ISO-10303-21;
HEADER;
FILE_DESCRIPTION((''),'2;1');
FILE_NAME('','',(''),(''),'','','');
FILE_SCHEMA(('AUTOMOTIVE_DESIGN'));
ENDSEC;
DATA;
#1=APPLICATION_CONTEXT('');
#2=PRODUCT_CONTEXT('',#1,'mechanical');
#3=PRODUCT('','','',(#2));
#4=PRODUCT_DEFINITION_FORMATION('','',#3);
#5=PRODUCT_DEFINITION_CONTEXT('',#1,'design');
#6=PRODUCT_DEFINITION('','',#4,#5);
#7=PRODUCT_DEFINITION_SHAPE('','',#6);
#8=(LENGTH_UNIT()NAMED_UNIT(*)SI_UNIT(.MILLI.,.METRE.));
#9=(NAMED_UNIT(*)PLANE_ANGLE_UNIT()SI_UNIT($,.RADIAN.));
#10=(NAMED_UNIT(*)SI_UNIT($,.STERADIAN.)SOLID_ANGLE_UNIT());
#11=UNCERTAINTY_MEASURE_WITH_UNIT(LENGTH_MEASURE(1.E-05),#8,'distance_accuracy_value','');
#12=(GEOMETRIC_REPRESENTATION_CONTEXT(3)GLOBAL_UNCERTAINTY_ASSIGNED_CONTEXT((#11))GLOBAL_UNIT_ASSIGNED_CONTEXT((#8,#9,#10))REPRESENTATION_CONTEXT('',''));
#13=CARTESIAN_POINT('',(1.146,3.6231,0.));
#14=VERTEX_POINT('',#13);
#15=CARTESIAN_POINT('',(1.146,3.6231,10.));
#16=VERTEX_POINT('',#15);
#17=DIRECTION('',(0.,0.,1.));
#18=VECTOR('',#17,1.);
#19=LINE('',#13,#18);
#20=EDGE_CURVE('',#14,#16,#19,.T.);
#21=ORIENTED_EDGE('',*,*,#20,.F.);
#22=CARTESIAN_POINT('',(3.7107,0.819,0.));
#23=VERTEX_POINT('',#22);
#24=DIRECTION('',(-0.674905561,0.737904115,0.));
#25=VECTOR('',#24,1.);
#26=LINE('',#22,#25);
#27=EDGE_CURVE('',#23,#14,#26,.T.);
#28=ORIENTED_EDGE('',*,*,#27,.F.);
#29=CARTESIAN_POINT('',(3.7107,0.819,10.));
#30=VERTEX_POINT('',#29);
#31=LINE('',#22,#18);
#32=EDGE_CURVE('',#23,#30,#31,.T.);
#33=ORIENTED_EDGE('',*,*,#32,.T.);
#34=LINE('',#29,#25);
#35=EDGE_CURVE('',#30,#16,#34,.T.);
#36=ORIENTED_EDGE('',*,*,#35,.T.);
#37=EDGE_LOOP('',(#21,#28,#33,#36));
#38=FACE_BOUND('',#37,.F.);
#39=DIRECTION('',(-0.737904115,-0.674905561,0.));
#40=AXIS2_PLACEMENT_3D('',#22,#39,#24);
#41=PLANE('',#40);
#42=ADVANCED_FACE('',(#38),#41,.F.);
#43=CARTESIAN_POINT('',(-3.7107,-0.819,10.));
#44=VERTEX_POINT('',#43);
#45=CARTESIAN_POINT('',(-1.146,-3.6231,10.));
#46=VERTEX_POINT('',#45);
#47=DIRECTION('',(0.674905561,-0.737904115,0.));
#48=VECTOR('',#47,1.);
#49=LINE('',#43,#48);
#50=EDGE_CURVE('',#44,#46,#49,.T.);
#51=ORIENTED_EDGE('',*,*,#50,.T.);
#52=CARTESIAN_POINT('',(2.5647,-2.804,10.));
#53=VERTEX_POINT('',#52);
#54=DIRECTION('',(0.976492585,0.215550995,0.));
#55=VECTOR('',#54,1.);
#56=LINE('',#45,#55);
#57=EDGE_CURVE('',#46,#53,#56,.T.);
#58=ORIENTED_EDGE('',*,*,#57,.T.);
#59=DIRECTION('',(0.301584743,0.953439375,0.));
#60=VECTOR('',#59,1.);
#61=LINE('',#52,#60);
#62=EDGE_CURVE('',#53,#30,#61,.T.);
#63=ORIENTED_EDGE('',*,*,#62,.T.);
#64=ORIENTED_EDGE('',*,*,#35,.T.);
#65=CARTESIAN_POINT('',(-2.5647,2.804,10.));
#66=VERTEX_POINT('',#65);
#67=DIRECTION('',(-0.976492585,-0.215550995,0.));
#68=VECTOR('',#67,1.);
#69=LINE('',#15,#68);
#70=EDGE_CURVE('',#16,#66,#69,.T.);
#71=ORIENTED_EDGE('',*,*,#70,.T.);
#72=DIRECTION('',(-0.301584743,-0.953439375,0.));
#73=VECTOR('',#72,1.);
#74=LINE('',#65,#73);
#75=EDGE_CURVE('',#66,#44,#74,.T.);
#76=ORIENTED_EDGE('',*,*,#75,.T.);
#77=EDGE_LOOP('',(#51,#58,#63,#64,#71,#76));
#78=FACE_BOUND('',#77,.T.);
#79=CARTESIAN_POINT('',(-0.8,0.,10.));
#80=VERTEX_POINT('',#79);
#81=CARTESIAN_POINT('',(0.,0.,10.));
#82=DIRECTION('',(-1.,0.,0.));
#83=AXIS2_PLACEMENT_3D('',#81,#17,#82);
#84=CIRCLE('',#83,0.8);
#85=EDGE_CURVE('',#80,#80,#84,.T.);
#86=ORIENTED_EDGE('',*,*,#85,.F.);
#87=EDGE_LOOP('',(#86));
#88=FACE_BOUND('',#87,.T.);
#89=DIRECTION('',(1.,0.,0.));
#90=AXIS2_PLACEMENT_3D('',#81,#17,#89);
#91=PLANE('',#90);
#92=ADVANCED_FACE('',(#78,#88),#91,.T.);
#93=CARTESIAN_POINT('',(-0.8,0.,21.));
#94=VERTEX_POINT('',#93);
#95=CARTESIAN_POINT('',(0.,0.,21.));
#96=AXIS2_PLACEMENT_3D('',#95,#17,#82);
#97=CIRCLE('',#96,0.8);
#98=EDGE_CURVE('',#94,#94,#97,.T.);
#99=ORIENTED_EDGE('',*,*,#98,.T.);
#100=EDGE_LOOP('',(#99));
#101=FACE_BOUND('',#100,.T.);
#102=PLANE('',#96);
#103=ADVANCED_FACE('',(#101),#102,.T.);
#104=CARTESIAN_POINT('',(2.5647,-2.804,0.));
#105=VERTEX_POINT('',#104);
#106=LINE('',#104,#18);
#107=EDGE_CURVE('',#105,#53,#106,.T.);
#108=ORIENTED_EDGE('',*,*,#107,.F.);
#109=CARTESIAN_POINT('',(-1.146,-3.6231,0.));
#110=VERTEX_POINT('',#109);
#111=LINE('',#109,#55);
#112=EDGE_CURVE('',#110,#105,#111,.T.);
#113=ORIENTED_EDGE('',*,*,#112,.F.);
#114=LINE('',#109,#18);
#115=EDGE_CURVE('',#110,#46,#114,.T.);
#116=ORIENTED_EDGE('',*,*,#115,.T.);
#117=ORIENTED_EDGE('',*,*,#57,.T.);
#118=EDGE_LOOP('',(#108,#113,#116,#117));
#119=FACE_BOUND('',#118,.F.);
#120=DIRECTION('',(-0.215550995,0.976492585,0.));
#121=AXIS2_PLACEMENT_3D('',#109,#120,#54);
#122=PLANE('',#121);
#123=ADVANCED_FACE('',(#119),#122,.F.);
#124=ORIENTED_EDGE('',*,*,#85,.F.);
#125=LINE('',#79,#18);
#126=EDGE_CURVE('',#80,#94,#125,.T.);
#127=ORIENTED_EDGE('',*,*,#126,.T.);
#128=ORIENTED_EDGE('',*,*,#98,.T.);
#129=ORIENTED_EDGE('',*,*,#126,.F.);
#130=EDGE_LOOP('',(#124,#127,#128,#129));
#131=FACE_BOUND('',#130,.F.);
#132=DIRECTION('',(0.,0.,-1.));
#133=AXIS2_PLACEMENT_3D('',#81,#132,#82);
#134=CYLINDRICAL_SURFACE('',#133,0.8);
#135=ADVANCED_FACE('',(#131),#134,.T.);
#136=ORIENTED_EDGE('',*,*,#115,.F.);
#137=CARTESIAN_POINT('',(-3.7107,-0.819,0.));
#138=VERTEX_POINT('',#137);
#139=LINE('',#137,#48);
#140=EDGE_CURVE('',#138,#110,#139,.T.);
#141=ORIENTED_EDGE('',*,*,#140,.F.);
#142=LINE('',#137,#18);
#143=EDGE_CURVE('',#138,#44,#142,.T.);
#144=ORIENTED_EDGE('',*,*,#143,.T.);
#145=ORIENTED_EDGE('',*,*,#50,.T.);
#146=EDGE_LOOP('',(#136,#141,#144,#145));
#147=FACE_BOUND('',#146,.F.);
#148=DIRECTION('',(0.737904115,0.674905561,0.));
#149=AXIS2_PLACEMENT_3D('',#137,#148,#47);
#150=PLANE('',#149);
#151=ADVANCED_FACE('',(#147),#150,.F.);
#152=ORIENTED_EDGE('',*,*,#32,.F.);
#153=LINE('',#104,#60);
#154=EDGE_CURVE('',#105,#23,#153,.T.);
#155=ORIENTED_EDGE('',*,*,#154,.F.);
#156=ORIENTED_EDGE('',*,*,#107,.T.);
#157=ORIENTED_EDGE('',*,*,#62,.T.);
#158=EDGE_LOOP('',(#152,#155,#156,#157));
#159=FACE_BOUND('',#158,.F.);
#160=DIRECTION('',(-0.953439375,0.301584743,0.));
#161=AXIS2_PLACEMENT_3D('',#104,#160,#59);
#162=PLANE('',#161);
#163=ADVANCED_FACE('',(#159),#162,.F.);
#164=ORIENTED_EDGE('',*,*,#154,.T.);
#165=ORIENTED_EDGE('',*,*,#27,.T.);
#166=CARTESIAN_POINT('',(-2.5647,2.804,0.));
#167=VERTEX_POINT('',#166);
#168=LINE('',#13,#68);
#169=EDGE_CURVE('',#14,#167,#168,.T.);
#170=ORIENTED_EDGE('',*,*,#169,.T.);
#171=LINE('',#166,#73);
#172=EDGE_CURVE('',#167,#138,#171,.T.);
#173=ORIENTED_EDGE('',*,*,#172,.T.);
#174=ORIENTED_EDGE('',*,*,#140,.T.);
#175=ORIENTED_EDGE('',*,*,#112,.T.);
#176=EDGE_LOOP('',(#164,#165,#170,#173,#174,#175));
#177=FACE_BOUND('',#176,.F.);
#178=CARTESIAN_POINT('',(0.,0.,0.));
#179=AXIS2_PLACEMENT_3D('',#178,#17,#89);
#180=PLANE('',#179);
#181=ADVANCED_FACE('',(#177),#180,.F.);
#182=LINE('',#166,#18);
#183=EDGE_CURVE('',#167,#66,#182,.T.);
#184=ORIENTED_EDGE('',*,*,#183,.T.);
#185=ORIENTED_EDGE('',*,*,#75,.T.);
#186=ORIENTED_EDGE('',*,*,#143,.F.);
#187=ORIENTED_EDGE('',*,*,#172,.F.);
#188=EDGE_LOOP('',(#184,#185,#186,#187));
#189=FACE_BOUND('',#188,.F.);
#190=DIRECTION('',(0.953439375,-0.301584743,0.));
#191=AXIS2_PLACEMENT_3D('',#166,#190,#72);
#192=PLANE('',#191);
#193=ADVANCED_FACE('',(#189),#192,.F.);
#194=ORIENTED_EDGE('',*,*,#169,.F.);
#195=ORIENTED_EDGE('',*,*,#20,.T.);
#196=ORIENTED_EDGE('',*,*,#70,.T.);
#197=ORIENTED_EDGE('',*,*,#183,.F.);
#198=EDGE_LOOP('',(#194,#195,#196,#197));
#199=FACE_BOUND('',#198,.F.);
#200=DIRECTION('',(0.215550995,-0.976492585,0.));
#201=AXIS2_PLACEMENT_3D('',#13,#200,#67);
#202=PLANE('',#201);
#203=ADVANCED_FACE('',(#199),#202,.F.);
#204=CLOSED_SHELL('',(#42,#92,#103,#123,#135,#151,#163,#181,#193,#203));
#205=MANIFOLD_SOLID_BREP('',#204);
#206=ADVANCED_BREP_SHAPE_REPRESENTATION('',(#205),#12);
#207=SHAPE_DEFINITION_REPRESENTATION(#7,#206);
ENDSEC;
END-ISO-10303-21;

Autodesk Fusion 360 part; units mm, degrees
sketch "Sketch1" plane through (0, 0, 0) normal (0, 0, 1) x (1, 0, 0)
  line L0 (2.5647, -2.804) -> (3.7107, 0.819)
  line L1 (3.7107, 0.819) -> (1.146, 3.6231)
  line L2 (1.146, 3.6231) -> (-2.5647, 2.804)
  line L3 (-2.5647, 2.804) -> (-3.7107, -0.819)
  line L4 (-3.7107, -0.819) -> (-1.146, -3.6231)
  line L5 (-1.146, -3.6231) -> (2.5647, -2.804)
  dimension "d1" = 3.8
extrude "Extrude1" add sketch "Sketch1" along normal blind 10
sketch "Sketch2" plane through (0, 0, 10) normal (0, 0, 1) x (-1, 0, 0)
  line L0 (1.146, 3.6231) -> (-2.5647, 2.804)
  line L1 (-2.5647, 2.804) -> (-3.7107, -0.819)
  line L2 (-3.7107, -0.819) -> (-1.146, -3.6231)
  line L3 (-1.146, -3.6231) -> (2.5647, -2.804)
  line L4 (2.5647, -2.804) -> (3.7107, 0.819)
  line L5 (3.7107, 0.819) -> (1.146, 3.6231)
  circle A0 centre (0, 0) radius 0.8
  dimension "d6" = 1.6
extrude "Extrude2" add sketch "Sketch2" along normal blind 11 contours A0
equation "d1 = polygon_side"
equation "d2 = polygon_height"
equation "polygon_side = 3.8 mm"
equation "polygon_height = 10 mm"
equation "d6 = cylinder_radius * 2"
equation "cylinder_radius = 0.8 mm"
equation "cylinder_height = 11 mm"
equation "d9 = cylinder_height"
